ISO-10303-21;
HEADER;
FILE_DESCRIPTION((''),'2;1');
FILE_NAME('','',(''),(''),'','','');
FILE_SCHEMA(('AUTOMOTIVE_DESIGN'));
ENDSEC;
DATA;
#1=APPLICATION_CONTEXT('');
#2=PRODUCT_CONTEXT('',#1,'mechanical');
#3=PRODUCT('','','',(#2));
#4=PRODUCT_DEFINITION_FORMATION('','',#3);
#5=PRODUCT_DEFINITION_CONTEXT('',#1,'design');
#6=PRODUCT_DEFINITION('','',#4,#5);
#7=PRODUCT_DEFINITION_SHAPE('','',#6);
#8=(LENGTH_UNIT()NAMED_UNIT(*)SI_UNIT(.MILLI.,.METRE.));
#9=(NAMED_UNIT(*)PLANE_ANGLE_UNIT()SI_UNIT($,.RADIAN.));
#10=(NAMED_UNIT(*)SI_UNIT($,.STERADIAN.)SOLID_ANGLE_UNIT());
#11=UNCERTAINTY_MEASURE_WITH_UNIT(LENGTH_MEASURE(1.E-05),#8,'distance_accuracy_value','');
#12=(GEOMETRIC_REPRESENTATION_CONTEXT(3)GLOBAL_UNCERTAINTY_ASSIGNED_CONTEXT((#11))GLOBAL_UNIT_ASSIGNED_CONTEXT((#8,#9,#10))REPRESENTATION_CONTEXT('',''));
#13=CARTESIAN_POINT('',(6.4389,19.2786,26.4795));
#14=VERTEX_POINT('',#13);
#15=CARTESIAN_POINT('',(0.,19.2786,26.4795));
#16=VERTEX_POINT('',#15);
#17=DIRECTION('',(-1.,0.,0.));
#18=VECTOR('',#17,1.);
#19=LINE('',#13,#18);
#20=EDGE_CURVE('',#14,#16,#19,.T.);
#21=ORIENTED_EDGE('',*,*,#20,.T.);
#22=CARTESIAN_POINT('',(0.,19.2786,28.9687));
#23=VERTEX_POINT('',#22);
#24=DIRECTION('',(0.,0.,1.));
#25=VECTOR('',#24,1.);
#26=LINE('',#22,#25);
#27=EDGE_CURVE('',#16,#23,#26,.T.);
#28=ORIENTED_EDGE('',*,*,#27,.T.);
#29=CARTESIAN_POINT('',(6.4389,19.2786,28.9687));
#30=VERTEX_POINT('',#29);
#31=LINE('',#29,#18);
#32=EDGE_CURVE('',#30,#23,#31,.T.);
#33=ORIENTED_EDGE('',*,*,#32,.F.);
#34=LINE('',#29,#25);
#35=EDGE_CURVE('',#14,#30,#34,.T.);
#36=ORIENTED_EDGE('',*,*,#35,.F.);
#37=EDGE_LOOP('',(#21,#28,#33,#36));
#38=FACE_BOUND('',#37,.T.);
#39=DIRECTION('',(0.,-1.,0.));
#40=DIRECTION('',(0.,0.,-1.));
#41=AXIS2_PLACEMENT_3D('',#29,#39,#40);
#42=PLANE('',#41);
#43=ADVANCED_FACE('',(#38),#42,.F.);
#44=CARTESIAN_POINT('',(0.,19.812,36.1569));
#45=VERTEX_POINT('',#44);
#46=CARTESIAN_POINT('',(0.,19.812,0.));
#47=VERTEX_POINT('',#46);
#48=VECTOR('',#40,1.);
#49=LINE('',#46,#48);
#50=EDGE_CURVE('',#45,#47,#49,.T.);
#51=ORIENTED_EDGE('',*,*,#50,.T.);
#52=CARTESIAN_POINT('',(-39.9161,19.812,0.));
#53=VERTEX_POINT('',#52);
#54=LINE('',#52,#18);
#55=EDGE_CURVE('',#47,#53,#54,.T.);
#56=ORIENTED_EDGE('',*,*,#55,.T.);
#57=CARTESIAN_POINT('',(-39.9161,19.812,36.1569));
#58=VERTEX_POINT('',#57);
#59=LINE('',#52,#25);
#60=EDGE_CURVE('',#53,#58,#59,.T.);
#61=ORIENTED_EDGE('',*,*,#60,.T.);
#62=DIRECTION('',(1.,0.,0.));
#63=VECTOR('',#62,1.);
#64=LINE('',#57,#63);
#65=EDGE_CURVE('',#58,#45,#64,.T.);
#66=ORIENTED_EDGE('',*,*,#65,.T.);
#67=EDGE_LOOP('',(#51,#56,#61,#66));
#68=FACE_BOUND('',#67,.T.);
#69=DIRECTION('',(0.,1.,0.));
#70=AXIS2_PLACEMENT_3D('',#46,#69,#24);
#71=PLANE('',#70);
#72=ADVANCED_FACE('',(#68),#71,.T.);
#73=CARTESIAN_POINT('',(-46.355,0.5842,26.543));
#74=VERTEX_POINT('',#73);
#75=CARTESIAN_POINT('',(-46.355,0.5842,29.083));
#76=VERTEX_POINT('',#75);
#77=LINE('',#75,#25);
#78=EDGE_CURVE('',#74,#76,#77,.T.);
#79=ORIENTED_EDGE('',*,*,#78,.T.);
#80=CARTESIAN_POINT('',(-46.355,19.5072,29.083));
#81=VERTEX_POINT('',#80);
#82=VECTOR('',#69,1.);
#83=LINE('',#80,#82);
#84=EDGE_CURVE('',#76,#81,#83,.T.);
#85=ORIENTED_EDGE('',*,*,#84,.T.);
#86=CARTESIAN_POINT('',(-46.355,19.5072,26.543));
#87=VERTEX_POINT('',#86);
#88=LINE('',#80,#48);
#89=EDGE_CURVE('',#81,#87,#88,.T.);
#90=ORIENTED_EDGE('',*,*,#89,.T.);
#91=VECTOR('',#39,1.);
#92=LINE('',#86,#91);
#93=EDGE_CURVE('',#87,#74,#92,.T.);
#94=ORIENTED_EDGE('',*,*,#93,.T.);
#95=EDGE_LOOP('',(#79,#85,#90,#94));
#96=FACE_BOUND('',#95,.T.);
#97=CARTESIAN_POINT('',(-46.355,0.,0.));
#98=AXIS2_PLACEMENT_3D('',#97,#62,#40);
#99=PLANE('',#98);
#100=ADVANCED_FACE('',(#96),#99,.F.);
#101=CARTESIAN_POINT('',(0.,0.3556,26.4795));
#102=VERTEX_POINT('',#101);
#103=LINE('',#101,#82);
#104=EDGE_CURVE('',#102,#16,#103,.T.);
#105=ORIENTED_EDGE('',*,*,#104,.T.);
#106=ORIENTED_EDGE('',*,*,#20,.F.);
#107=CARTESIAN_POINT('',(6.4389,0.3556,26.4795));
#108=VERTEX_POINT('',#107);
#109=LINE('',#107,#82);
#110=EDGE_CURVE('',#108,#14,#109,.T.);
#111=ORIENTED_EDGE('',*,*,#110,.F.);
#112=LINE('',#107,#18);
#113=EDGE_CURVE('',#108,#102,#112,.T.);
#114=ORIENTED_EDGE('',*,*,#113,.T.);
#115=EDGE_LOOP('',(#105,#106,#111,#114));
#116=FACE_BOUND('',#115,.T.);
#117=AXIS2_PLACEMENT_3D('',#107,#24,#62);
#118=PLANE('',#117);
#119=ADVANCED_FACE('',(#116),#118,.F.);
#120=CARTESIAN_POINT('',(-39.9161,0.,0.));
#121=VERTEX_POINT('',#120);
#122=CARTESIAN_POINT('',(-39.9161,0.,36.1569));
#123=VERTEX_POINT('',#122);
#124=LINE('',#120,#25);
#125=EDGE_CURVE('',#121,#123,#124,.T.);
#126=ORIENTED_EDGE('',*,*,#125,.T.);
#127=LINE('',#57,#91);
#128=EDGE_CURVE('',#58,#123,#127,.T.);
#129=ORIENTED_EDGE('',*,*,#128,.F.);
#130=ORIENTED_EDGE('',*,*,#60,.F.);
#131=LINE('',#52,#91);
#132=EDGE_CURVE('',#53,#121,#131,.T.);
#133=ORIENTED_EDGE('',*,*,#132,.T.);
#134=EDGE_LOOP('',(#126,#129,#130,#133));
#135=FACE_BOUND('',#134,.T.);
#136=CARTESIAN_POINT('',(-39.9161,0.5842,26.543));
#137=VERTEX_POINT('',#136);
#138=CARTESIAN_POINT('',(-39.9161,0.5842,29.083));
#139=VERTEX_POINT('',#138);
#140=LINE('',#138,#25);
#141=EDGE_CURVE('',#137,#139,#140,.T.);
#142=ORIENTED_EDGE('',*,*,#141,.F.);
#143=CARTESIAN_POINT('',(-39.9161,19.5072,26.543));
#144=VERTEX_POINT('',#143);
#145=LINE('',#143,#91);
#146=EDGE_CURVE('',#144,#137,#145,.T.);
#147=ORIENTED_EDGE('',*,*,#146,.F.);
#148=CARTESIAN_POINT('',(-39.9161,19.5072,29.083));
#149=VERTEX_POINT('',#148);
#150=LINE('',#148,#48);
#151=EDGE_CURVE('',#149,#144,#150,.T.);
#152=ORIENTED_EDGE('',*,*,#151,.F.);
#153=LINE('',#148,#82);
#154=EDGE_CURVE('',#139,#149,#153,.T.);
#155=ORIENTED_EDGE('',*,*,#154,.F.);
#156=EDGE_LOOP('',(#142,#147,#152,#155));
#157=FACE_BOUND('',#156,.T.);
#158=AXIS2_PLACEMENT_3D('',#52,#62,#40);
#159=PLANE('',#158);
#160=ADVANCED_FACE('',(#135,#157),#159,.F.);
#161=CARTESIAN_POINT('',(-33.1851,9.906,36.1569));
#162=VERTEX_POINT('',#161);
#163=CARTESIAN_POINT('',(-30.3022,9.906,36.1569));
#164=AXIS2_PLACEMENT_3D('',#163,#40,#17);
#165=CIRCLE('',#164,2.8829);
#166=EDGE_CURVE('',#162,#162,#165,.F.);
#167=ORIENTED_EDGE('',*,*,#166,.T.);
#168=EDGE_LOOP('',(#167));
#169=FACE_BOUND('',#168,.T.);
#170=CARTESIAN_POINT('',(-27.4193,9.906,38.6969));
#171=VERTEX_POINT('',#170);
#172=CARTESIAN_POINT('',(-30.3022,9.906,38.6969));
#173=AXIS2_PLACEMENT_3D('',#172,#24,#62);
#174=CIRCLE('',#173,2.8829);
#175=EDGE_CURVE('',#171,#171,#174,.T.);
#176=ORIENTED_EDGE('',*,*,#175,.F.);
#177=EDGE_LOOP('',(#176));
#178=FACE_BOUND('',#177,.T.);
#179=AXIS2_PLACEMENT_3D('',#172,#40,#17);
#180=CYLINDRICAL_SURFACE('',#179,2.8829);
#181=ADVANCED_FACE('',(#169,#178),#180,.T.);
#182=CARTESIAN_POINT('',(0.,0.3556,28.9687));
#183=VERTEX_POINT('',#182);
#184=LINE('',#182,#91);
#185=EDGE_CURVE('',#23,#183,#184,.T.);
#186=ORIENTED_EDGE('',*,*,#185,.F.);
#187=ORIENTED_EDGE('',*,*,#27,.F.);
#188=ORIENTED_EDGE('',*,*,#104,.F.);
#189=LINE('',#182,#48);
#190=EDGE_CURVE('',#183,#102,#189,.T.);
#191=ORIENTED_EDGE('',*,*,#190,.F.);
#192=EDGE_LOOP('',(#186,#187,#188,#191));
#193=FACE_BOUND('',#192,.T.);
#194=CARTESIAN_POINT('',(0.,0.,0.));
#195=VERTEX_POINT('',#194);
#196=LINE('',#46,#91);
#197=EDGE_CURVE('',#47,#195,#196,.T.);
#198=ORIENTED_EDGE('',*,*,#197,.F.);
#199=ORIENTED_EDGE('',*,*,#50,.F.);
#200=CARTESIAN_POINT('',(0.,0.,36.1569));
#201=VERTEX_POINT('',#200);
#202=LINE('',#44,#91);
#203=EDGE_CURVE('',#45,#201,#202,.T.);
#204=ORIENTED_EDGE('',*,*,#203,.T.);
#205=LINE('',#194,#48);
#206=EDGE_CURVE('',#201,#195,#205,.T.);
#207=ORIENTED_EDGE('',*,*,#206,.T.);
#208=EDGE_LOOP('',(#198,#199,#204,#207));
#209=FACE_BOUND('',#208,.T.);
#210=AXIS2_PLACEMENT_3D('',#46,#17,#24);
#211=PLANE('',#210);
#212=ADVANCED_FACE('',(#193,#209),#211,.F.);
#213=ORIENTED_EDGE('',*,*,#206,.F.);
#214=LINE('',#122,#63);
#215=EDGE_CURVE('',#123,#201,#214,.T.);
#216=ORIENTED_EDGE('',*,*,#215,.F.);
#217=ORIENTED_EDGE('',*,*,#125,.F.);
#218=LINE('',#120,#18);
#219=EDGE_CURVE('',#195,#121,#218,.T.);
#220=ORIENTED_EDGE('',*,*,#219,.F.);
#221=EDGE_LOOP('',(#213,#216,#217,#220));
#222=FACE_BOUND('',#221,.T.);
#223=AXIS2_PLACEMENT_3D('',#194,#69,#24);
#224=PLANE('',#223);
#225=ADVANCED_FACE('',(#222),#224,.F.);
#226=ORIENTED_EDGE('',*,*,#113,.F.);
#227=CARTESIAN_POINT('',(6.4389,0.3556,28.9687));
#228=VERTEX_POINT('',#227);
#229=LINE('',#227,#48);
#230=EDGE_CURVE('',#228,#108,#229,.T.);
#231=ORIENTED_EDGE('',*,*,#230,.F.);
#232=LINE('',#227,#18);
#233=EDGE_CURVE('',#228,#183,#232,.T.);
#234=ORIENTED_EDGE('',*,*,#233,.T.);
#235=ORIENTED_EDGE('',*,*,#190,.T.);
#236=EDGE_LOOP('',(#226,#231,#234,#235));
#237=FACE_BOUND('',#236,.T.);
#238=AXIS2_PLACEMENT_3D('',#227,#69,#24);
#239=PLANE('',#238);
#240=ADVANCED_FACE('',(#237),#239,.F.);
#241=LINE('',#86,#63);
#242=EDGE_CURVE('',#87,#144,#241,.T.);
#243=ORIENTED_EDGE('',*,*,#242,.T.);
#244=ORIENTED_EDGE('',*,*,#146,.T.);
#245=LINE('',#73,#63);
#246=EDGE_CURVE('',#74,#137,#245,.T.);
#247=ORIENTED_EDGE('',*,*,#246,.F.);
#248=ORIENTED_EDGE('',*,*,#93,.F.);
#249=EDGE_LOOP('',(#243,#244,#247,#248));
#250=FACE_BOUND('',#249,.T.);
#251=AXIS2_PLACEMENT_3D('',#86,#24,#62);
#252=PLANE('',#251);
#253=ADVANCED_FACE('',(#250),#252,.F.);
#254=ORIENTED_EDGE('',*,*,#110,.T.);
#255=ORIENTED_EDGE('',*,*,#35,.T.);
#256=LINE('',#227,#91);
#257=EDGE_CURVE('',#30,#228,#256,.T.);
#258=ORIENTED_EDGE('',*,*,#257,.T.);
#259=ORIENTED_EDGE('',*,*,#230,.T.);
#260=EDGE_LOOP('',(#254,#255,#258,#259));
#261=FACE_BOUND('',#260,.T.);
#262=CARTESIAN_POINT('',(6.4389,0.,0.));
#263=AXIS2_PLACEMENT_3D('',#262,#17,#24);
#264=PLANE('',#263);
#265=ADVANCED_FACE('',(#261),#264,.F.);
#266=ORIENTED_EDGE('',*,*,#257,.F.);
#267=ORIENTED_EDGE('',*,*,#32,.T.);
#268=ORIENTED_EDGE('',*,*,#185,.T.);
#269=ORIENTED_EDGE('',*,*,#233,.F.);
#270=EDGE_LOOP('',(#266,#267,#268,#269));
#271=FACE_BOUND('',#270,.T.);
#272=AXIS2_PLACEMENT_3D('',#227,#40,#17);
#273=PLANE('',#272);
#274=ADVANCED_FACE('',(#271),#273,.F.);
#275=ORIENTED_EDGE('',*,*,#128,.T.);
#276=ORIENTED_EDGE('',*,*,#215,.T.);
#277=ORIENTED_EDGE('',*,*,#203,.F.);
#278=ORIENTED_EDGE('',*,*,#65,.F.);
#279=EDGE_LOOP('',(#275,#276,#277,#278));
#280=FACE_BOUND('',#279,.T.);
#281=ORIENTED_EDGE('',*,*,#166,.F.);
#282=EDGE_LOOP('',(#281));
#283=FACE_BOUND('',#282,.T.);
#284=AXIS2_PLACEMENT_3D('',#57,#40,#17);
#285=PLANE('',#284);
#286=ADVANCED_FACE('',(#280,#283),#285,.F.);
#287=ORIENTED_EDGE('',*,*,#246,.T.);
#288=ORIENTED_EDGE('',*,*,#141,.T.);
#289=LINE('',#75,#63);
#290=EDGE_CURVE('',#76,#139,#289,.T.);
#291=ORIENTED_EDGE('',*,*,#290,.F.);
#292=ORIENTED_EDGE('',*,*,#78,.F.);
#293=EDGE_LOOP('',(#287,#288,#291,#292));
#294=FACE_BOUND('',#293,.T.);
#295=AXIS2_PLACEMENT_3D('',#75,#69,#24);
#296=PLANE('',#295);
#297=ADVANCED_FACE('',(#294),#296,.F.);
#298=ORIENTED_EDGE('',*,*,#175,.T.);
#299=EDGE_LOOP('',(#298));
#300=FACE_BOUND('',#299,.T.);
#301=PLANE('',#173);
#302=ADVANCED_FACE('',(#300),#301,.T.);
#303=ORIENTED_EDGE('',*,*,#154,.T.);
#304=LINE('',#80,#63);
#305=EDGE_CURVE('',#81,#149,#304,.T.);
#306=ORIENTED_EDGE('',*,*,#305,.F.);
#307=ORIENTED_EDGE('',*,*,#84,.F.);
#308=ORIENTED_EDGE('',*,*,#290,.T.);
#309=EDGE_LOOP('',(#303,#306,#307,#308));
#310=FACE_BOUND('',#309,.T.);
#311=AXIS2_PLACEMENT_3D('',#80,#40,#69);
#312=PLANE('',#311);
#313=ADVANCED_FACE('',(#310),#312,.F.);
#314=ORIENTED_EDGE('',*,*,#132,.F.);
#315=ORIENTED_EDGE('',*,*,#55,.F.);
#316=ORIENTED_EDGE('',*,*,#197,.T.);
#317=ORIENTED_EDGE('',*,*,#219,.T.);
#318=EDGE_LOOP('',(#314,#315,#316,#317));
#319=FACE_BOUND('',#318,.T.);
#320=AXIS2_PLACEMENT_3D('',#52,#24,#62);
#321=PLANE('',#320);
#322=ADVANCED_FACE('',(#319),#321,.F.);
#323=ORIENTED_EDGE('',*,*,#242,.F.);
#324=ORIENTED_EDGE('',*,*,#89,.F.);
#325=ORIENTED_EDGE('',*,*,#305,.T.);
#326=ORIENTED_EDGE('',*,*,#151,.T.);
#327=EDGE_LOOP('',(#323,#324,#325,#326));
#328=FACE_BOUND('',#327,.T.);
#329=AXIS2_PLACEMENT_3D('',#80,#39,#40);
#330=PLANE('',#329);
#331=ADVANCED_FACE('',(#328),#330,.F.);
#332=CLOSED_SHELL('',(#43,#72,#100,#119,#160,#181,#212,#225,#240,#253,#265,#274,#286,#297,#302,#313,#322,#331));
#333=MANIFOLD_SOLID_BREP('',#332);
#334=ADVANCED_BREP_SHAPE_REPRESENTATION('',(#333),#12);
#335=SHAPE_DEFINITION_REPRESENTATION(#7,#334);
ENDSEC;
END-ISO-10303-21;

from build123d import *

# Parameters (mm, degrees)
SKETCH1_W           = 39.9161
SKETCH1_H           = 36.1569
BOSS_EXTRUDE1_DEPTH = 19.812
SKETCH2_W           = 2.4892
SKETCH2_H           = 18.923
BOSS_EXTRUDE3_DEPTH = 6.4389
SKETCH4_W           = 2.54
SKETCH4_H           = 18.923
BOSS_EXTRUDE4_DEPTH = 6.4389
SKETCH5_R           = 2.8829
BOSS_EXTRUDE5_DEPTH = 2.54


with BuildPart() as part:
    # Sketch1 → Boss-Extrude1 (new body)
    with BuildSketch(Plane(origin=(0, 0, 0), x_dir=(1, 0, 0), z_dir=(0, 1, 0))):
        with Locations((-19.95805, -18.07845)):
            Rectangle(SKETCH1_W, SKETCH1_H)
    extrude(amount=BOSS_EXTRUDE1_DEPTH)

    # Sketch2 → Boss-Extrude3 (add)
    with BuildSketch(Plane(origin=(0, 0, 0), x_dir=(0, 0, -1), z_dir=(1, 0, 0))):
        with Locations((-27.7241, 9.8171)):
            Rectangle(SKETCH2_W, SKETCH2_H)
    extrude(amount=BOSS_EXTRUDE3_DEPTH)

    # Sketch4 → Boss-Extrude4 (add)
    with BuildSketch(Plane.ZY.offset(39.9161)):
        with Locations((27.813, 10.0457)):
            Rectangle(SKETCH4_W, SKETCH4_H)
    extrude(amount=BOSS_EXTRUDE4_DEPTH)

    # Sketch5 → Boss-Extrude5 (add)
    with BuildSketch(Plane.XY.offset(36.1569)):
        with Locations((-30.3022, 9.906)):
            Circle(SKETCH5_R)
    extrude(amount=BOSS_EXTRUDE5_DEPTH)


solid = part.part
